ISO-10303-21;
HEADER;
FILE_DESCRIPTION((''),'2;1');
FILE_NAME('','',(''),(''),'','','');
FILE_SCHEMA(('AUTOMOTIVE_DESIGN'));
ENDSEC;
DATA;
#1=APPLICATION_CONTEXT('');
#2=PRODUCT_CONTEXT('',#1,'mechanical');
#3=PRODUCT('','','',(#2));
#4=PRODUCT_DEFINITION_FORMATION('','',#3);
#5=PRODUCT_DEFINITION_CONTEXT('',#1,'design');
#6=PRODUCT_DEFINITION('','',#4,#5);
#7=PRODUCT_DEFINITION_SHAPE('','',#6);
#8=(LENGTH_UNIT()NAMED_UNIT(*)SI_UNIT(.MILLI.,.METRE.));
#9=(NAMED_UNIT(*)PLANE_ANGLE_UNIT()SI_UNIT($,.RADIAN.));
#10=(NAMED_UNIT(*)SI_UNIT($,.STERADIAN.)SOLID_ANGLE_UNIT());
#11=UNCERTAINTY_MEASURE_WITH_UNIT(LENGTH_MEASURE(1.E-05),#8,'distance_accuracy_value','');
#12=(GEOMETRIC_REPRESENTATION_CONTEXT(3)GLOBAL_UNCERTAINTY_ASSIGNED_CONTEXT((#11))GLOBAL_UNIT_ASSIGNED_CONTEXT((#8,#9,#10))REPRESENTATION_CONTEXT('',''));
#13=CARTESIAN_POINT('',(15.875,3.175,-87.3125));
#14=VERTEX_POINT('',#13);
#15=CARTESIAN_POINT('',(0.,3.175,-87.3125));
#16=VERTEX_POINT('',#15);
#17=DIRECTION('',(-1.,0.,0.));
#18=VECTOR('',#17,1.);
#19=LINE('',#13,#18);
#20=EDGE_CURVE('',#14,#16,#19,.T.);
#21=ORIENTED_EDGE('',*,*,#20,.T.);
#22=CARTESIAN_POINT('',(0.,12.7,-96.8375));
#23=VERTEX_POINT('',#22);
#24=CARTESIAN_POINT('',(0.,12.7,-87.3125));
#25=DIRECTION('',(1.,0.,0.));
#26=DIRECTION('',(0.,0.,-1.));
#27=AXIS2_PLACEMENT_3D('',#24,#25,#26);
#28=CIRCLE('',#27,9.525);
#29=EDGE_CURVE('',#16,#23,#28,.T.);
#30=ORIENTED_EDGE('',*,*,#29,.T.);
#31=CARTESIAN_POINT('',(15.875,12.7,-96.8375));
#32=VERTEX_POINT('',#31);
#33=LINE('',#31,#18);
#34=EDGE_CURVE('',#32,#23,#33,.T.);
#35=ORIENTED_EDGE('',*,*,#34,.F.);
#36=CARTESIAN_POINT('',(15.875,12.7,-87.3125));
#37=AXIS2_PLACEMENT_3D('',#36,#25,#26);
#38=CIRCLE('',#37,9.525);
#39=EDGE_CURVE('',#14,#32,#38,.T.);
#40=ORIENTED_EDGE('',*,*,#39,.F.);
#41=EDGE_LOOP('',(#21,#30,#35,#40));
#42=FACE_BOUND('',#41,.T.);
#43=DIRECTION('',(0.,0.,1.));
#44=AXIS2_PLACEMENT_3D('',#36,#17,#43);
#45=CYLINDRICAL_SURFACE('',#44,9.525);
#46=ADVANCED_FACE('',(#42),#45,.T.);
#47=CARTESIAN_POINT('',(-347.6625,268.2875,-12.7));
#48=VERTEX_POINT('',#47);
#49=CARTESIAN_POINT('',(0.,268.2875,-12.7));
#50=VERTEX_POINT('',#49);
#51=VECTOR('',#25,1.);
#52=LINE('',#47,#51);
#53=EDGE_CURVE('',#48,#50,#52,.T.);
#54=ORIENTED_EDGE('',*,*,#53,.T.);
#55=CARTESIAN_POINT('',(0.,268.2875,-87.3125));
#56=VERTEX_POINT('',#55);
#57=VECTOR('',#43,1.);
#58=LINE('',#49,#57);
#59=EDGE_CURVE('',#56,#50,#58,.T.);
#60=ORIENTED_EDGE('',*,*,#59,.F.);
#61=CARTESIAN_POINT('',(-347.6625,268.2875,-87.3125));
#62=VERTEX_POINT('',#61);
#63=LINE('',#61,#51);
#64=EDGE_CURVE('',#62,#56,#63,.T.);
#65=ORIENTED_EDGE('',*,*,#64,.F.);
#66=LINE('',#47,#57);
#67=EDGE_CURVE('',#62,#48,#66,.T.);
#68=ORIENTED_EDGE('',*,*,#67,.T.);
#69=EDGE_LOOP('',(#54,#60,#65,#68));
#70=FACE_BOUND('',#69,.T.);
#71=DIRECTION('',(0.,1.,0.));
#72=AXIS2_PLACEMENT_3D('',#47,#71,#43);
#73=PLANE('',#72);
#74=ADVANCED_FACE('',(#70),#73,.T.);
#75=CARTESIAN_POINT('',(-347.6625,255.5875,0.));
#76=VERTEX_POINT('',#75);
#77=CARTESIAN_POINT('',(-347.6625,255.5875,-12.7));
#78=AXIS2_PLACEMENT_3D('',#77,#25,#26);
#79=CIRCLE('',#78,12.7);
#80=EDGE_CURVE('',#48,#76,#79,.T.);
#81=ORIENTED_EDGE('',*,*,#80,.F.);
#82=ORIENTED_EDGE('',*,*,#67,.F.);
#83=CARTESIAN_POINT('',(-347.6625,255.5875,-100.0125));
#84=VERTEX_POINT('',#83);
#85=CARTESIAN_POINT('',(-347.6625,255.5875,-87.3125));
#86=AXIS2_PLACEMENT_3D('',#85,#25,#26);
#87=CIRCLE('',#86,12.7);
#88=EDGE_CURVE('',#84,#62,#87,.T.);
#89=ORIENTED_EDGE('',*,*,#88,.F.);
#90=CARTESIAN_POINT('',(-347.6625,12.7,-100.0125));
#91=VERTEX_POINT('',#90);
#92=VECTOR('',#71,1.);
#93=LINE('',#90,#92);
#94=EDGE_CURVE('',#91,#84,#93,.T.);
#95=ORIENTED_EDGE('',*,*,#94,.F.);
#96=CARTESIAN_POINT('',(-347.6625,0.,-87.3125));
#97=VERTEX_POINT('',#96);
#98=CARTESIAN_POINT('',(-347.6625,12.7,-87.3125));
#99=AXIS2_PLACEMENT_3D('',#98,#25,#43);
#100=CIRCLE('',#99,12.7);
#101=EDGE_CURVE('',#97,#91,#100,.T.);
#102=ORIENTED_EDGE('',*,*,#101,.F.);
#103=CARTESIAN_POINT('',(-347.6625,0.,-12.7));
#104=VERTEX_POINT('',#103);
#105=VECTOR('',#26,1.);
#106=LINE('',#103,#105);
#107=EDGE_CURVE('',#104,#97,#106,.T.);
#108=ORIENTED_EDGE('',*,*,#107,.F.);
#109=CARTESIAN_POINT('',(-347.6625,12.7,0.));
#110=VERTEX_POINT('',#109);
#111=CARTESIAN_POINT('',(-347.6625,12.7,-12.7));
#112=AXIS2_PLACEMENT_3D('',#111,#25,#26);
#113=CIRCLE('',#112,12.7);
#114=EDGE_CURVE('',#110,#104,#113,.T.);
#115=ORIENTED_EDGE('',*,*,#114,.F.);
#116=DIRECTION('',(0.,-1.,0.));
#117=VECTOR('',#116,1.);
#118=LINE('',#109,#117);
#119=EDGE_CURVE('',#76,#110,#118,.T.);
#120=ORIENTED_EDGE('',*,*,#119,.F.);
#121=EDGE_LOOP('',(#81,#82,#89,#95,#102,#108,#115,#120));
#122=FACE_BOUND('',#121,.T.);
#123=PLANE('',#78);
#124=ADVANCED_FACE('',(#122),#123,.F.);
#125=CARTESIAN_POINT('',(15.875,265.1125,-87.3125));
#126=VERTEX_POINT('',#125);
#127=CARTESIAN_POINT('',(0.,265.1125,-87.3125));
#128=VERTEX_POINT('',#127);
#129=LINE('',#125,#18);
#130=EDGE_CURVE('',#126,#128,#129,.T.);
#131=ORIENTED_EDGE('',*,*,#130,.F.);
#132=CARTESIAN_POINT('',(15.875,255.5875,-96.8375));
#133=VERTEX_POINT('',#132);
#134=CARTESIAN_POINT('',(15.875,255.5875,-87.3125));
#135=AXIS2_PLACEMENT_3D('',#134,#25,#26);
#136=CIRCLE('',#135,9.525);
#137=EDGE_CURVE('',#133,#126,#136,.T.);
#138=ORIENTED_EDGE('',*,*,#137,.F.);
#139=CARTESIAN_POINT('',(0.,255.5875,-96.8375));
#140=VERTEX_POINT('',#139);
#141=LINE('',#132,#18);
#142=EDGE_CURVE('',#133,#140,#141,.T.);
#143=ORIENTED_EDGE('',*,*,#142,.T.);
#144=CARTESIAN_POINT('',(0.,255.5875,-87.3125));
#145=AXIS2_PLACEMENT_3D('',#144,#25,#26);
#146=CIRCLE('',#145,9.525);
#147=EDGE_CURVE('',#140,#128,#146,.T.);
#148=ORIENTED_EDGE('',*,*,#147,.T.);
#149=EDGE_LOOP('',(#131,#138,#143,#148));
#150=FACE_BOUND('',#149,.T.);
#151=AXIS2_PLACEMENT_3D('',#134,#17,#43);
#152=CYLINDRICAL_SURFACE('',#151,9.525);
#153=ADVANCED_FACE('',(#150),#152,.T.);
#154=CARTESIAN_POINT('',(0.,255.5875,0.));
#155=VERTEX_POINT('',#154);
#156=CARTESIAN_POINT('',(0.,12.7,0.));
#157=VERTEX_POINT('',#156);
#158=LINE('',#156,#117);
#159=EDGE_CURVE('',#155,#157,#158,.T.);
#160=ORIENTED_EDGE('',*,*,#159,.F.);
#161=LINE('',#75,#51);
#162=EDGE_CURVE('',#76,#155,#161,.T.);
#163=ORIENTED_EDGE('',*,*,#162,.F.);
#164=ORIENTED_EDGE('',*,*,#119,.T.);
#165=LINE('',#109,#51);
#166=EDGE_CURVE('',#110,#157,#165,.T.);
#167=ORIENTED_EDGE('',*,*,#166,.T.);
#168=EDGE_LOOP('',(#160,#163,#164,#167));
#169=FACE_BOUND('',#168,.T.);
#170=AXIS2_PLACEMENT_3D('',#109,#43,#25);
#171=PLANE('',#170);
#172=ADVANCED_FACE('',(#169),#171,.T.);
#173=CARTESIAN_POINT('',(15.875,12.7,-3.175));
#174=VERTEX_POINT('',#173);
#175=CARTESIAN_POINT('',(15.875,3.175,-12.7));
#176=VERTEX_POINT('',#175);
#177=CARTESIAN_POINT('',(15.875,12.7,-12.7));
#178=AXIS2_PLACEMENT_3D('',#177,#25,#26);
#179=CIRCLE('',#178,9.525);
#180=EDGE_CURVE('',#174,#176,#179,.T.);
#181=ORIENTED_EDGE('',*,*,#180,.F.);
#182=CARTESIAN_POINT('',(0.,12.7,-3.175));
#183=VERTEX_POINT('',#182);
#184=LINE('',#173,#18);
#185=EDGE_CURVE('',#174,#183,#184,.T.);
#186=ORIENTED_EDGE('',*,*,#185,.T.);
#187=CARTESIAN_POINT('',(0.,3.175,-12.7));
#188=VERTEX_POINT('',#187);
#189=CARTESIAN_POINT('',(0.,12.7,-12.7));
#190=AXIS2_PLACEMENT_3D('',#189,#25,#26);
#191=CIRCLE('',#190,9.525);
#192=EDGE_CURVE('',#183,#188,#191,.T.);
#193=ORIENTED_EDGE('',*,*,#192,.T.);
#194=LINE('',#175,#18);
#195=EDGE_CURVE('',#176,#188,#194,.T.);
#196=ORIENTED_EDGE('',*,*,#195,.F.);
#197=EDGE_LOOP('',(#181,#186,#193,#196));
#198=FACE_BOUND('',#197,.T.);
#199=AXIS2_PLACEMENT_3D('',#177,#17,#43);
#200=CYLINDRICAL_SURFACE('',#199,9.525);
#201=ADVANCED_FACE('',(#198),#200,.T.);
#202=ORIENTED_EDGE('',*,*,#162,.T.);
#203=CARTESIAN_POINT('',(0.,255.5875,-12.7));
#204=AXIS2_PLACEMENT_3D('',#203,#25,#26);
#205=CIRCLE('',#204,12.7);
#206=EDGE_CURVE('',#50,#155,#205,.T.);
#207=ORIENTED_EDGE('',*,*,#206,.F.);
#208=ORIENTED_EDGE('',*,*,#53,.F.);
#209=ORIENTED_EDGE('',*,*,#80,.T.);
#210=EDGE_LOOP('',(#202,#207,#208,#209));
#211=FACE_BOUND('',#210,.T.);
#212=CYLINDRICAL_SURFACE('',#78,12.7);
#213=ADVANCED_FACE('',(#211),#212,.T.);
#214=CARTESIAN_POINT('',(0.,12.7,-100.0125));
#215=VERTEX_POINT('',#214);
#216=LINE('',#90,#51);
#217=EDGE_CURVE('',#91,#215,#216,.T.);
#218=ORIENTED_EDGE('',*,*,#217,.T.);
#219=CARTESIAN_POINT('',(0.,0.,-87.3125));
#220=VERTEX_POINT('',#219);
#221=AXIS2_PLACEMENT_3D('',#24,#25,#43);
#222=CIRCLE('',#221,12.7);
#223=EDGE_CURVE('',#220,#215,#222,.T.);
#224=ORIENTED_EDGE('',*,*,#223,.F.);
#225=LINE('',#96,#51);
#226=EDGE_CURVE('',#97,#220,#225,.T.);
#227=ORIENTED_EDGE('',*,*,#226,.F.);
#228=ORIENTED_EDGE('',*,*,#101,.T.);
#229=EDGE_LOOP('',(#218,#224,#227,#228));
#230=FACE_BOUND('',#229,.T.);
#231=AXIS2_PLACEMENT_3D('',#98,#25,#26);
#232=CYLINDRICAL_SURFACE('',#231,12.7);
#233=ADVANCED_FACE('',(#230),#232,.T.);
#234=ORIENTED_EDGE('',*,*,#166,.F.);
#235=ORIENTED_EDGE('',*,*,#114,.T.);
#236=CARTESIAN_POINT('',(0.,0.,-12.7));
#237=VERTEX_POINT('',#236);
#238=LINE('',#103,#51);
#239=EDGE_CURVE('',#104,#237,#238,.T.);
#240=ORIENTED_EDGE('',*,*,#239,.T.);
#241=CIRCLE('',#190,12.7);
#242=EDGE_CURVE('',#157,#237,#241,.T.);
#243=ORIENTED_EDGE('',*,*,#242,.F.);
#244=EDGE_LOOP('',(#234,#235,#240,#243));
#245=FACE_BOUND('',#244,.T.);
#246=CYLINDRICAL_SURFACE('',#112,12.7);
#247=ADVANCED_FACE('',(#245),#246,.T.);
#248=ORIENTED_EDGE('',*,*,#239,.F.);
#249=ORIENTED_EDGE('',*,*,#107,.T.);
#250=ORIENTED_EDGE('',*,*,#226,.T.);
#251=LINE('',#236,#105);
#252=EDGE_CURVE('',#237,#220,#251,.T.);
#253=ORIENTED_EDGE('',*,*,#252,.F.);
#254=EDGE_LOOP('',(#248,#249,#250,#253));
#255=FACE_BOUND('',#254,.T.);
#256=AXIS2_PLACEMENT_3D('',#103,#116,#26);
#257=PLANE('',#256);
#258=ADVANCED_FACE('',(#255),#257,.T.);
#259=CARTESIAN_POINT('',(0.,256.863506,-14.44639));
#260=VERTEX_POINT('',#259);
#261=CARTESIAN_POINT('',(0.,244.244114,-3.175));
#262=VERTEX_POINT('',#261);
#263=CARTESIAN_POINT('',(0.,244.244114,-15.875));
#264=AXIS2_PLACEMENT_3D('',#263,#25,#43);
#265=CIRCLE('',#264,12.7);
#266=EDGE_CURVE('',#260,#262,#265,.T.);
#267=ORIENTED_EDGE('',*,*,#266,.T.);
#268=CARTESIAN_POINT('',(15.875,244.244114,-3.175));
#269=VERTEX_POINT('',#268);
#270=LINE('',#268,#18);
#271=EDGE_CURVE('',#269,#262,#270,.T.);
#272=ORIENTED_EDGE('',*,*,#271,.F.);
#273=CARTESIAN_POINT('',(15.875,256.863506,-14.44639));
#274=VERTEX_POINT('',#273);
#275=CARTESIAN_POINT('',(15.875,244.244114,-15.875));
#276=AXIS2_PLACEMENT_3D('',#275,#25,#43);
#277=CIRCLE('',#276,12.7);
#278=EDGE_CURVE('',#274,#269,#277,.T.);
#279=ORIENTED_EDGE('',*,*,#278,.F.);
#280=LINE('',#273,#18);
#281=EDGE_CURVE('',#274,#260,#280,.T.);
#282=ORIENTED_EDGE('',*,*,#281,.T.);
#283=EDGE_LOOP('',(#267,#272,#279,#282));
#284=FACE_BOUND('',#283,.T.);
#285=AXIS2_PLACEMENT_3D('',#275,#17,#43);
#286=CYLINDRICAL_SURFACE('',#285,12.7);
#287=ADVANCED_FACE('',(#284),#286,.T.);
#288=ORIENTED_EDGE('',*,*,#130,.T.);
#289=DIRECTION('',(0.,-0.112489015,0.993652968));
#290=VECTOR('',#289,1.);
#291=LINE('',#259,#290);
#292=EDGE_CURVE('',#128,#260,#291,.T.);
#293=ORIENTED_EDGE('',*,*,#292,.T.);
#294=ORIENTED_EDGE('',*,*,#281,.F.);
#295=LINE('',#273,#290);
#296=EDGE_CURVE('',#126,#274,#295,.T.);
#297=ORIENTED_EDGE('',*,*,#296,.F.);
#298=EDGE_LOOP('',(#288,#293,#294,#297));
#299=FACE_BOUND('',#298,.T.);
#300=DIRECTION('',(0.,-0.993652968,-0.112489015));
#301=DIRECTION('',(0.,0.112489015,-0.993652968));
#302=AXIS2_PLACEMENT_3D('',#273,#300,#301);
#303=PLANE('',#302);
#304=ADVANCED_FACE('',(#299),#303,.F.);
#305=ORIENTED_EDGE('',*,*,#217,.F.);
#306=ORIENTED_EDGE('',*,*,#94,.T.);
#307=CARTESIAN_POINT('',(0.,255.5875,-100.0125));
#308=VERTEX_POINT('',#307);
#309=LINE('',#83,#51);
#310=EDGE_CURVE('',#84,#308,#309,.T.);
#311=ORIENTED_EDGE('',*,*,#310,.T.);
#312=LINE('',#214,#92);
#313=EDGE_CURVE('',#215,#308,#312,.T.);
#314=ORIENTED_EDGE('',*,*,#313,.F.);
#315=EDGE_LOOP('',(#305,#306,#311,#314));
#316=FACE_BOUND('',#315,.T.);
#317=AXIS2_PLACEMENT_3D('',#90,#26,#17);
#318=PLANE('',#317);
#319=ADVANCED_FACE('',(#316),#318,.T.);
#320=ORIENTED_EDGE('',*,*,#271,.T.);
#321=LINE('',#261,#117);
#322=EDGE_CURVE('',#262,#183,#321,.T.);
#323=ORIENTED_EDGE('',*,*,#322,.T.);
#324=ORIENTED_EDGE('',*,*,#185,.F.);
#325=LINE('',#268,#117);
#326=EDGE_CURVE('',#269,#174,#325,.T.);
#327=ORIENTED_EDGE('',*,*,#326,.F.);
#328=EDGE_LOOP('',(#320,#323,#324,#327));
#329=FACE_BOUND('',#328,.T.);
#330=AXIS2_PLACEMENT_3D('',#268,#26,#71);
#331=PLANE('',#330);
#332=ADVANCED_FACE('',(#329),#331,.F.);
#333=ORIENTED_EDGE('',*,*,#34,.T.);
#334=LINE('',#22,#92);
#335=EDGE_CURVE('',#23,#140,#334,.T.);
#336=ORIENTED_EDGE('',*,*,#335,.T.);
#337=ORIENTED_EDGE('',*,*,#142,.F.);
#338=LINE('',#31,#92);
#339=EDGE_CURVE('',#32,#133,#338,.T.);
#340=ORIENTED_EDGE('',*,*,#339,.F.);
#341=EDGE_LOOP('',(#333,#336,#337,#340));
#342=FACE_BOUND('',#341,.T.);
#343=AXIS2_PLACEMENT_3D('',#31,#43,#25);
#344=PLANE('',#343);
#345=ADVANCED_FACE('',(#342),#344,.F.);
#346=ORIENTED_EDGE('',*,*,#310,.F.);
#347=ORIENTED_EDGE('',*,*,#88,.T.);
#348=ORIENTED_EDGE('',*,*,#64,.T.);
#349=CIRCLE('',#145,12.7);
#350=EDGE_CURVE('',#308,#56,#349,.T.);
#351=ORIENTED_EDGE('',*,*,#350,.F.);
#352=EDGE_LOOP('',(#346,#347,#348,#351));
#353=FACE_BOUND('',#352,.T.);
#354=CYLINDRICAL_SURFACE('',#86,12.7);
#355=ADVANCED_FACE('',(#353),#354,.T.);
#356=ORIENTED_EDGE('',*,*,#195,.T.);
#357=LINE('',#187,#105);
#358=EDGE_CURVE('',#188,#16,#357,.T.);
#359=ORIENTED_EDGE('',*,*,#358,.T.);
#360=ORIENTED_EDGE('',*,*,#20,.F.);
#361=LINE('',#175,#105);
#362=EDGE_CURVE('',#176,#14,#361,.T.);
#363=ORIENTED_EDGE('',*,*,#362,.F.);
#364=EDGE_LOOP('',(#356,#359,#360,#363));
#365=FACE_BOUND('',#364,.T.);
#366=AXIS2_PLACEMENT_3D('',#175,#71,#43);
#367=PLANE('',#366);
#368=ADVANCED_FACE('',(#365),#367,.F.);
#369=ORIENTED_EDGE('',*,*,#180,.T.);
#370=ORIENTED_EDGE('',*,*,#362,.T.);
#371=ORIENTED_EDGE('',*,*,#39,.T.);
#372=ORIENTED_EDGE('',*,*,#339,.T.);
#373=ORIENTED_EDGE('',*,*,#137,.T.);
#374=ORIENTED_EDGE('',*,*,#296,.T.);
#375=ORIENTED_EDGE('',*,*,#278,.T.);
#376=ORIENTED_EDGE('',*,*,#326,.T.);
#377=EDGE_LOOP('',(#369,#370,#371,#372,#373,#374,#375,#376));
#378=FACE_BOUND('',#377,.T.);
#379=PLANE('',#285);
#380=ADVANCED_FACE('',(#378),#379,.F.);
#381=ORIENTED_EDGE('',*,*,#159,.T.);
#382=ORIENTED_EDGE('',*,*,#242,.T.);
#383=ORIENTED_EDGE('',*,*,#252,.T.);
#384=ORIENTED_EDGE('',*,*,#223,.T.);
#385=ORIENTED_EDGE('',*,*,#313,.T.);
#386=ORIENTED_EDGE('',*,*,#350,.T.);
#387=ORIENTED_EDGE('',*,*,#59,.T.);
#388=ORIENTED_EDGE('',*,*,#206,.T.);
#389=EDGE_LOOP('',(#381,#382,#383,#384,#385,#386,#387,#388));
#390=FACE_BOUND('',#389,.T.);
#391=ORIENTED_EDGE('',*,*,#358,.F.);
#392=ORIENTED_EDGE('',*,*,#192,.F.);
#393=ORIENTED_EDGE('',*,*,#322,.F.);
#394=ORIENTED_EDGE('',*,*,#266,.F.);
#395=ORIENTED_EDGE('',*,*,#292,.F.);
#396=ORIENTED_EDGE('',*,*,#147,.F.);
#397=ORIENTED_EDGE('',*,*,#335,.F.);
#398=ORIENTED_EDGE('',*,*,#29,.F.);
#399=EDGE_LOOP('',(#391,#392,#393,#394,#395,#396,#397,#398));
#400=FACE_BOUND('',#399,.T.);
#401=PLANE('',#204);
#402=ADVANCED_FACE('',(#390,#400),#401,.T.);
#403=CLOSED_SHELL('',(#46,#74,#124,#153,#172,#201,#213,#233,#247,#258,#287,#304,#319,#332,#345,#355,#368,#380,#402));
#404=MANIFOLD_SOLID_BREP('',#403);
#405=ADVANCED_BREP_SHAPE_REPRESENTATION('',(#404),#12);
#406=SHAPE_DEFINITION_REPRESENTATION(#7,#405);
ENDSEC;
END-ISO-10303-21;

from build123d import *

# Parameters (mm, degrees)
BOSS_EXTRUDE1_DEPTH = 347.6625
BOSS_EXTRUDE2_DEPTH = 15.875


with BuildPart() as part:
    # Sketch1 → Boss-Extrude1 (new body)
    with BuildSketch(Plane(origin=(0, 0, 0), x_dir=(0, 0, -1), z_dir=(1, 0, 0))):
        with BuildLine():
            Line((12.7, 0), (87.3125, 0))
            ThreePointArc((87.3125, 0), (96.292756121, 3.719743879), (100.0125, 12.7))
            Line((100.0125, 12.7), (100.0125, 255.5875))
            ThreePointArc((100.0125, 255.5875), (96.292756121, 264.567756121), (87.3125, 268.2875))
            Line((87.3125, 268.2875), (12.7, 268.2875))
            ThreePointArc((12.7, 268.2875), (3.719743879, 264.567756121), (0, 255.5875))
            Line((0, 255.5875), (0, 12.7))
            ThreePointArc((0, 12.7), (3.719743879, 3.719743879), (12.7, 0))
        make_face()
    extrude(amount=-BOSS_EXTRUDE1_DEPTH)

    # Sketch2 → Boss-Extrude2 (add)
    with BuildSketch(Plane(origin=(0, 0, 0), x_dir=(0, 0, -1), z_dir=(1, 0, 0))):
        with BuildLine():
            Line((14.446389506, 256.863506359), (87.3125, 265.1125))
            ThreePointArc((87.3125, 265.1125), (94.047692091, 262.322692091), (96.8375, 255.5875))
            Line((96.8375, 255.5875), (96.8375, 12.7))
            ThreePointArc((96.8375, 12.7), (94.047692091, 5.964807909), (87.3125, 3.175))
            Line((87.3125, 3.175), (12.7, 3.175))
            ThreePointArc((12.7, 3.175), (5.964807909, 5.964807909), (3.175, 12.7))
            Line((3.175, 12.7), (3.175, 244.244113662))
            ThreePointArc((3.175, 244.244113662), (6.403111242, 252.704215515), (14.446389506, 256.863506359))
        make_face()
    extrude(amount=BOSS_EXTRUDE2_DEPTH)


solid = part.part
